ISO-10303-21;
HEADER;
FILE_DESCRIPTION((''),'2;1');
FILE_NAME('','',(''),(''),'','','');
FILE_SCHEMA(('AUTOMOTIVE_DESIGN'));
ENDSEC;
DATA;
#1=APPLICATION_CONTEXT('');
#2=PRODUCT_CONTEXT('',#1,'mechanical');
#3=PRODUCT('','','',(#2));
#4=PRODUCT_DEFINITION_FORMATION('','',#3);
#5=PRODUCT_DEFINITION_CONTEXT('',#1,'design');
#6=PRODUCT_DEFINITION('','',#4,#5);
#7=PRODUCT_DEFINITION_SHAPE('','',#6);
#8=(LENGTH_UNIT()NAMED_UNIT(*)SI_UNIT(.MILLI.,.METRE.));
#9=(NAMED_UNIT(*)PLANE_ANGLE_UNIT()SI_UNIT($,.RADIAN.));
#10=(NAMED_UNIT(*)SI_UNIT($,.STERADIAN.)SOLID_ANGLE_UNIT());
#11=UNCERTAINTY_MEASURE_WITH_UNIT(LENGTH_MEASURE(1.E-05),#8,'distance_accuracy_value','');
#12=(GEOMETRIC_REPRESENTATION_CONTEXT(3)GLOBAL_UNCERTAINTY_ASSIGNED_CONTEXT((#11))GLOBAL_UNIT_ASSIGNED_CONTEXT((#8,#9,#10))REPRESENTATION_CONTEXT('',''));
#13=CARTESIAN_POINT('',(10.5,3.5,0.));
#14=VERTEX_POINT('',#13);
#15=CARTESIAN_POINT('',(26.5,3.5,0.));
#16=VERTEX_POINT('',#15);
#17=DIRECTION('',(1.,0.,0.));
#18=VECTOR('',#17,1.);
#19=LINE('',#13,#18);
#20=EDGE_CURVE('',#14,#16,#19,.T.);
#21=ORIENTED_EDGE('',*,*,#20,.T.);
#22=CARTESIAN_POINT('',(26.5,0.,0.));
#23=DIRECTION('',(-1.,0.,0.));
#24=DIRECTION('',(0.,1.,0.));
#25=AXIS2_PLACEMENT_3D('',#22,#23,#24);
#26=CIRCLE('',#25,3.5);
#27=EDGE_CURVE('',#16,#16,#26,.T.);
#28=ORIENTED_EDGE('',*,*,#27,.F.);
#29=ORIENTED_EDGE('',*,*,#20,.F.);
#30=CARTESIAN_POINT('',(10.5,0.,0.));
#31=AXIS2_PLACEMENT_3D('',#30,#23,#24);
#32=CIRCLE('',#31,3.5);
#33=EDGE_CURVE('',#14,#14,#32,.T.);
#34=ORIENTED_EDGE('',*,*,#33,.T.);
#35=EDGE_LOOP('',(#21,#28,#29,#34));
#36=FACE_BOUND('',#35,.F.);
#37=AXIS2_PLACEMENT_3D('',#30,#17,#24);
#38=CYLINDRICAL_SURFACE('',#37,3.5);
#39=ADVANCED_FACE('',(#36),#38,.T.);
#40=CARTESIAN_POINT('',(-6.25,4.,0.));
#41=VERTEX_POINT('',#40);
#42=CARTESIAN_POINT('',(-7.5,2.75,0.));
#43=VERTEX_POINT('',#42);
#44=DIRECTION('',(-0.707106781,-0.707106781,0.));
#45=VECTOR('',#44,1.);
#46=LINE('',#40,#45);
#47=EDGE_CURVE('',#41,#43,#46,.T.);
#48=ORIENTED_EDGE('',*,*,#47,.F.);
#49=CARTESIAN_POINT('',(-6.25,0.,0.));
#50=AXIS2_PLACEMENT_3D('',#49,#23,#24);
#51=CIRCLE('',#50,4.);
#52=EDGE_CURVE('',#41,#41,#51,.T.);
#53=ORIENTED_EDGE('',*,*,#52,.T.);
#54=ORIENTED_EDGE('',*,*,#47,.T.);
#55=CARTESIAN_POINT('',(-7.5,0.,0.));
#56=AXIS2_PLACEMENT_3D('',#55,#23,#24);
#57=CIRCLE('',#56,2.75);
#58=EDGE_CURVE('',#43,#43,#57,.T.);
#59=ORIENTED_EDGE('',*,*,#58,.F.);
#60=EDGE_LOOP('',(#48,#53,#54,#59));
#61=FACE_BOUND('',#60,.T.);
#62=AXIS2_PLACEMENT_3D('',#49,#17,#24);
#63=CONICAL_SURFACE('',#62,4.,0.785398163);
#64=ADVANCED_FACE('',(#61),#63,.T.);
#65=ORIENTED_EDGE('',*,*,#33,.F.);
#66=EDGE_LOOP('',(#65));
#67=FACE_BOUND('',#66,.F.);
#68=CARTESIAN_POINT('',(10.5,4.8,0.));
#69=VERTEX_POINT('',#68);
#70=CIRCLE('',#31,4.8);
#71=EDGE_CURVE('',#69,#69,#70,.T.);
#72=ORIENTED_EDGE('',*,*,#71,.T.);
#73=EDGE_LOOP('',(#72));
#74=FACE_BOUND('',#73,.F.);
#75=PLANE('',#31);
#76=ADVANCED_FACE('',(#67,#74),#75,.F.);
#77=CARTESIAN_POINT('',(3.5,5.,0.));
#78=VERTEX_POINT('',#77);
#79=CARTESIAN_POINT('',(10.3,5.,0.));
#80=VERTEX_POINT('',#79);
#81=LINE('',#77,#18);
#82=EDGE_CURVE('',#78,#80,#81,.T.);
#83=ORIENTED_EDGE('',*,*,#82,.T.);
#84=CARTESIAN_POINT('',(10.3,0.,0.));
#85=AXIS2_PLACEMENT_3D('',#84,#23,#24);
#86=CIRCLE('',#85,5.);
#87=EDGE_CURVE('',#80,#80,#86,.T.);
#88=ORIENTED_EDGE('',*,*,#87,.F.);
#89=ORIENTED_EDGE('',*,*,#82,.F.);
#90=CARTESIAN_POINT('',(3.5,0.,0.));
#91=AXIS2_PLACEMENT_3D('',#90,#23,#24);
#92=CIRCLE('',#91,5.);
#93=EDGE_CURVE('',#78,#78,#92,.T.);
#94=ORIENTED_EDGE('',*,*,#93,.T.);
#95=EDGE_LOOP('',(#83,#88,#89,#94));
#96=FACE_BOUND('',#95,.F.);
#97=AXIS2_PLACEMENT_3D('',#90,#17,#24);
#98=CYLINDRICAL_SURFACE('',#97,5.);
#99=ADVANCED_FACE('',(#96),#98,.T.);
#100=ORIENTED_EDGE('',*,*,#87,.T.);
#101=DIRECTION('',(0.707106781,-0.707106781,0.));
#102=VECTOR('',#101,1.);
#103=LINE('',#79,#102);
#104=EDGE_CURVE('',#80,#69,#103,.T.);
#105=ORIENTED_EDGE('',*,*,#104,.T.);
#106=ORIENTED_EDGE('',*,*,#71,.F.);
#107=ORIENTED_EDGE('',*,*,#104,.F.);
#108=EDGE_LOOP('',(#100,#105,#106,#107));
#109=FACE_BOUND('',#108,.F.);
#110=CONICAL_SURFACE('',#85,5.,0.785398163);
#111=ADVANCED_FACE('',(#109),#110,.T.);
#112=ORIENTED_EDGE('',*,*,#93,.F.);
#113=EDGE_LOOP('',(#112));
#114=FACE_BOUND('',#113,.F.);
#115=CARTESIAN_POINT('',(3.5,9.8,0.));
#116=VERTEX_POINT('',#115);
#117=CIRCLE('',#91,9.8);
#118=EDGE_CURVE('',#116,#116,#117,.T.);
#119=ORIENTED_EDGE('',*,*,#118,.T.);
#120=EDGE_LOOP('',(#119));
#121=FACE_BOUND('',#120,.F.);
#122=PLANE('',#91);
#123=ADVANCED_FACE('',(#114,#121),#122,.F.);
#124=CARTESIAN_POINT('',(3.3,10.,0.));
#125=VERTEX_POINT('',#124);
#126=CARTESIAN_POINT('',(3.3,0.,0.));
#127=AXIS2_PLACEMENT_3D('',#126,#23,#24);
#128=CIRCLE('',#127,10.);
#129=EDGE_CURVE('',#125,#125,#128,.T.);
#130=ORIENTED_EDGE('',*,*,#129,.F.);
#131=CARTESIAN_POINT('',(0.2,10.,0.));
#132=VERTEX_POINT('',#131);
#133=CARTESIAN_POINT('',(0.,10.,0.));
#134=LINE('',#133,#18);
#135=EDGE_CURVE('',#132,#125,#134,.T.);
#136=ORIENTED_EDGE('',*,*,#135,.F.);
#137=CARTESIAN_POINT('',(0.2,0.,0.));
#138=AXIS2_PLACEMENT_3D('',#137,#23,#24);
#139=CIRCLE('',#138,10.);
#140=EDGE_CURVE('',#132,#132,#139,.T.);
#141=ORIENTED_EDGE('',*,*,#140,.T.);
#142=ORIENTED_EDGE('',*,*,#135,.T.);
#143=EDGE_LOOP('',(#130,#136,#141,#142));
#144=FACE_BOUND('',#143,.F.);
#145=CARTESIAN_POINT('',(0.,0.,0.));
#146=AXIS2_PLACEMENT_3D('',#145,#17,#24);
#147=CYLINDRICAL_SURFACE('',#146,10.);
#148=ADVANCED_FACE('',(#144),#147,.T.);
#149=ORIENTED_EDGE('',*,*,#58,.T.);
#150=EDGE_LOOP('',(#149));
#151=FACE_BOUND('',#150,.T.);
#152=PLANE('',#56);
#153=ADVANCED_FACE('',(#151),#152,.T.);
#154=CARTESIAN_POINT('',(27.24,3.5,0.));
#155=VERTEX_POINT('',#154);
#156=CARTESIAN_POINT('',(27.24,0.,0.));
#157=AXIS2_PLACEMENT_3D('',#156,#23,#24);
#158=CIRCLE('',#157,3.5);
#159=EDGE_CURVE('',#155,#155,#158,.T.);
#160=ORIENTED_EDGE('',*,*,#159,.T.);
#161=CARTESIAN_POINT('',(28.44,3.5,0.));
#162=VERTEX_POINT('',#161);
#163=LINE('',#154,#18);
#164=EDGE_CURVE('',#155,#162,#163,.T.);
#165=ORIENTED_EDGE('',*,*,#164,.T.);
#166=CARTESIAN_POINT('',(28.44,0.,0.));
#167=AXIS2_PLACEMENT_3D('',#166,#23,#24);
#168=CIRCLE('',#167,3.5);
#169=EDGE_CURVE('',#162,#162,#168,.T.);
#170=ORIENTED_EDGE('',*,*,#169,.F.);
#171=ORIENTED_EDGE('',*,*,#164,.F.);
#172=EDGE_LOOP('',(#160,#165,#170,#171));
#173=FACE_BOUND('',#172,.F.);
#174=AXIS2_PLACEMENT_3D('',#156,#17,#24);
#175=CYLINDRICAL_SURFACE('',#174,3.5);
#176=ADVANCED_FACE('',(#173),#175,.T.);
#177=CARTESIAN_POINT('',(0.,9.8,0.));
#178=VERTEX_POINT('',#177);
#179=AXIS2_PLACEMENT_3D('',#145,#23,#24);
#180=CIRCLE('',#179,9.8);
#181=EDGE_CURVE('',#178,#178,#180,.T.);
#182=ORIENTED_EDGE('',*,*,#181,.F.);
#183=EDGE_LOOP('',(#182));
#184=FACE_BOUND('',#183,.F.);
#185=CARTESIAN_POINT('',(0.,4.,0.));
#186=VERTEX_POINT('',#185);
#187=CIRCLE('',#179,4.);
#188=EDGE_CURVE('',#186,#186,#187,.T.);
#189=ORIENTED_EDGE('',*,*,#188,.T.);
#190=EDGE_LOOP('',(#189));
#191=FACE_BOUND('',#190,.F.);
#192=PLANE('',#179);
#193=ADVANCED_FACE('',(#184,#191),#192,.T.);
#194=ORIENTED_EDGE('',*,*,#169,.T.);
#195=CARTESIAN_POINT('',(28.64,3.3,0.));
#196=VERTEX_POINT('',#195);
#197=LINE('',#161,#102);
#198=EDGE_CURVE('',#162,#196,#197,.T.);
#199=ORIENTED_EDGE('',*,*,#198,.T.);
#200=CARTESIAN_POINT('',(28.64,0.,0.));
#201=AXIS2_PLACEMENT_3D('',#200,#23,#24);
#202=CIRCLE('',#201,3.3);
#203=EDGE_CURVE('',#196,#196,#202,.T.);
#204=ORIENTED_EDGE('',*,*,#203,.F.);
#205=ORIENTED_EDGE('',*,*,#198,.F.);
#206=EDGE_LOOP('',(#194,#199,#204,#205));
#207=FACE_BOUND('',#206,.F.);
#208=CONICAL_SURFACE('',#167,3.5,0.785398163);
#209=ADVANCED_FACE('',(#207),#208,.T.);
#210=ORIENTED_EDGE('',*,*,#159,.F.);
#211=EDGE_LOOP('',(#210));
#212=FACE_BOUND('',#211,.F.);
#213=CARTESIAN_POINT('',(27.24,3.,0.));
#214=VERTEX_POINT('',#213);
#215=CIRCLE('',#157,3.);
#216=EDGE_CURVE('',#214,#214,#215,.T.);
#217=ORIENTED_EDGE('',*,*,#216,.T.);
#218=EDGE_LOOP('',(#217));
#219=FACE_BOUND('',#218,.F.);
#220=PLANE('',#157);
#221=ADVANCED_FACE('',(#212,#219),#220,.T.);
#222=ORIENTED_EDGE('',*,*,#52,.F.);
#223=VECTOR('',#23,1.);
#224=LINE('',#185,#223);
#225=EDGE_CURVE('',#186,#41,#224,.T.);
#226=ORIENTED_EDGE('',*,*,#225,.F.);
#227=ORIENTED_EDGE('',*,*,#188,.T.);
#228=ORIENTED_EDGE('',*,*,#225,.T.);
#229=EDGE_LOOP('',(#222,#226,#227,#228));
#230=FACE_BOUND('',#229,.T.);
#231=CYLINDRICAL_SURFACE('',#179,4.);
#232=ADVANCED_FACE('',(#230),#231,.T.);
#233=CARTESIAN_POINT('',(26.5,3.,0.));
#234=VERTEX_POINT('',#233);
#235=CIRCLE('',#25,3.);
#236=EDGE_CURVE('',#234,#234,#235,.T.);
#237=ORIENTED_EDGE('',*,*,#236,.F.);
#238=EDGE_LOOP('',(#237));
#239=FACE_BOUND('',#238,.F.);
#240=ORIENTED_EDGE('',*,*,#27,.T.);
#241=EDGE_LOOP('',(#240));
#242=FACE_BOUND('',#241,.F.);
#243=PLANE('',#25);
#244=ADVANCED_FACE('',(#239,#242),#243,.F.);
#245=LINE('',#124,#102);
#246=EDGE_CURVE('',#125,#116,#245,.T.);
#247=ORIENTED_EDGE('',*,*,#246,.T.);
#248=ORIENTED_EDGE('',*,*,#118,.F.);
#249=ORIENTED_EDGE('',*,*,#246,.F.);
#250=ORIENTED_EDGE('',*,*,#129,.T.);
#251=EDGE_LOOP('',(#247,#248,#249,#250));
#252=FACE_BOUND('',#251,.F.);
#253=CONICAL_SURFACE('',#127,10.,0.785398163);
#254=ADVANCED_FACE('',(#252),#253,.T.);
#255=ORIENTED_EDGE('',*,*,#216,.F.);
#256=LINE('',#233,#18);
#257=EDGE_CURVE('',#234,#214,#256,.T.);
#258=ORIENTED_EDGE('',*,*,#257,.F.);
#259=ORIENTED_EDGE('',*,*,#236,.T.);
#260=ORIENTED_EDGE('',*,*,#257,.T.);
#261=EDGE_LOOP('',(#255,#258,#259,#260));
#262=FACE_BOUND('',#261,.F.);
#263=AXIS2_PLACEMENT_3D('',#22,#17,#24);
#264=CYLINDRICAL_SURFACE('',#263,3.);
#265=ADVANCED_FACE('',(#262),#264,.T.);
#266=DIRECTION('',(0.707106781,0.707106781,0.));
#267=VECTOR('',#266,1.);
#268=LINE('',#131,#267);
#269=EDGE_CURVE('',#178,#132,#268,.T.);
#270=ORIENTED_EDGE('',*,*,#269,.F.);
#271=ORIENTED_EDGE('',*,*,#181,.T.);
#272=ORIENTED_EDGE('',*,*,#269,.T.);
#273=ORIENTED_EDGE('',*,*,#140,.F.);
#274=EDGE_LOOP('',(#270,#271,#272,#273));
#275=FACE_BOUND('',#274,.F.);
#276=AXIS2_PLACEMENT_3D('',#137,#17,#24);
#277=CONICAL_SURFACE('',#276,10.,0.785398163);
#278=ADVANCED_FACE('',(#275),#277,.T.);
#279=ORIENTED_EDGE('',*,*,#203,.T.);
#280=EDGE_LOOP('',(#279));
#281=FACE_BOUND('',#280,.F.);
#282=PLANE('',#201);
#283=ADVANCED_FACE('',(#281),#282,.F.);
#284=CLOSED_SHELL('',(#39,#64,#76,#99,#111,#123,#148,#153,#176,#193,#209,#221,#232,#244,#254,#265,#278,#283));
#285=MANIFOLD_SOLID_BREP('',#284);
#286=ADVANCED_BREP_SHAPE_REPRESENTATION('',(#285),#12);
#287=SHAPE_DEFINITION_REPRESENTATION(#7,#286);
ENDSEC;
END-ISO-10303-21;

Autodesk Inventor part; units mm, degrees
ref_plane "YZ Plane" through (0, 0, 0) normal (1, 0, 0) x (0, 1, 0)
ref_plane "XZ Plane" through (0, 0, 0) normal (0, 1, 0) x (-1, 0, 0)
ref_plane "XY Plane" through (0, 0, 0) normal (0, 0, 1) x (1, 0, 0)
sketch "Skizze1" plane through (0, 0, 0) normal (0, 0, 1) x (1, 0, 0)
  line L0 (0, 0) -> (0, 10)
  line L1 (0, 10) -> (3.5, 10)
  line L2 (3.5, 10) -> (3.5, 5)
  line L3 (10.5, 3.5) -> (26.5, 3.5)
  line L4 (26.5, 3.5) -> (26.5, 3)
  line L5 (26.5, 3) -> (27.24, 3)
  line L6 (27.24, 3) -> (27.24, 3.5)
  line L7 (27.24, 3.5) -> (28.44, 3.5)
  line L8 (28.64, 3.3) -> (28.64, 0)
  line L9 (28.64, 0) -> (0, 0)
  line L10 (28.44, 3.5) -> (28.64, 3.3)
  line L11 (3.5, 5) -> (10.5, 5)
  line L12 (10.5, 5) -> (10.5, 3.5)
  line L13 (0, 4) -> (-7.5, 4)
  line L14 (-7.5, 4) -> (-7.5, 0)
  line L15 (-7.5, 0) -> (0, 0)
  point P0 (28.64, 3.5)
  dimension "d0" = 6
  dimension "d1" = 7
  dimension "d2" = 0.74
  dimension "d3" = 0.2
  dimension "d4" = 0.2
  dimension "d5" = 1.2
  dimension "d6" = 10
  dimension "d7" = 23
  dimension "d8" = 16
  dimension "d9" = 20
  dimension "Gabel_FixationShaft_Contact_Thickness" = 3.5
  dimension "d29" = 8
  dimension "d30" = 7.5
revolve "Umdrehung1" add sketch "Skizze1" angle 360 about axis through (28.64, 0, 0) along (-1, 0, 0)
chamfer "Fase1" distance 0.2 angle 45 3 edges at (10.5, -5, 0) (3.5, -10, 0) (0, -10, 0)
chamfer "Fase2" distance 1.25 angle 45 1 edges at (-7.5, -4, 0)
thread "Gewinde1" size "M8x1.25" class "6g" standard "ANSI Metric M Profile" full length
equation "\"d3\" = d4"
properties part number "ParallelMecha_Gabel_Connection_JointShaft_Nadellager" material "Edelstahl"
